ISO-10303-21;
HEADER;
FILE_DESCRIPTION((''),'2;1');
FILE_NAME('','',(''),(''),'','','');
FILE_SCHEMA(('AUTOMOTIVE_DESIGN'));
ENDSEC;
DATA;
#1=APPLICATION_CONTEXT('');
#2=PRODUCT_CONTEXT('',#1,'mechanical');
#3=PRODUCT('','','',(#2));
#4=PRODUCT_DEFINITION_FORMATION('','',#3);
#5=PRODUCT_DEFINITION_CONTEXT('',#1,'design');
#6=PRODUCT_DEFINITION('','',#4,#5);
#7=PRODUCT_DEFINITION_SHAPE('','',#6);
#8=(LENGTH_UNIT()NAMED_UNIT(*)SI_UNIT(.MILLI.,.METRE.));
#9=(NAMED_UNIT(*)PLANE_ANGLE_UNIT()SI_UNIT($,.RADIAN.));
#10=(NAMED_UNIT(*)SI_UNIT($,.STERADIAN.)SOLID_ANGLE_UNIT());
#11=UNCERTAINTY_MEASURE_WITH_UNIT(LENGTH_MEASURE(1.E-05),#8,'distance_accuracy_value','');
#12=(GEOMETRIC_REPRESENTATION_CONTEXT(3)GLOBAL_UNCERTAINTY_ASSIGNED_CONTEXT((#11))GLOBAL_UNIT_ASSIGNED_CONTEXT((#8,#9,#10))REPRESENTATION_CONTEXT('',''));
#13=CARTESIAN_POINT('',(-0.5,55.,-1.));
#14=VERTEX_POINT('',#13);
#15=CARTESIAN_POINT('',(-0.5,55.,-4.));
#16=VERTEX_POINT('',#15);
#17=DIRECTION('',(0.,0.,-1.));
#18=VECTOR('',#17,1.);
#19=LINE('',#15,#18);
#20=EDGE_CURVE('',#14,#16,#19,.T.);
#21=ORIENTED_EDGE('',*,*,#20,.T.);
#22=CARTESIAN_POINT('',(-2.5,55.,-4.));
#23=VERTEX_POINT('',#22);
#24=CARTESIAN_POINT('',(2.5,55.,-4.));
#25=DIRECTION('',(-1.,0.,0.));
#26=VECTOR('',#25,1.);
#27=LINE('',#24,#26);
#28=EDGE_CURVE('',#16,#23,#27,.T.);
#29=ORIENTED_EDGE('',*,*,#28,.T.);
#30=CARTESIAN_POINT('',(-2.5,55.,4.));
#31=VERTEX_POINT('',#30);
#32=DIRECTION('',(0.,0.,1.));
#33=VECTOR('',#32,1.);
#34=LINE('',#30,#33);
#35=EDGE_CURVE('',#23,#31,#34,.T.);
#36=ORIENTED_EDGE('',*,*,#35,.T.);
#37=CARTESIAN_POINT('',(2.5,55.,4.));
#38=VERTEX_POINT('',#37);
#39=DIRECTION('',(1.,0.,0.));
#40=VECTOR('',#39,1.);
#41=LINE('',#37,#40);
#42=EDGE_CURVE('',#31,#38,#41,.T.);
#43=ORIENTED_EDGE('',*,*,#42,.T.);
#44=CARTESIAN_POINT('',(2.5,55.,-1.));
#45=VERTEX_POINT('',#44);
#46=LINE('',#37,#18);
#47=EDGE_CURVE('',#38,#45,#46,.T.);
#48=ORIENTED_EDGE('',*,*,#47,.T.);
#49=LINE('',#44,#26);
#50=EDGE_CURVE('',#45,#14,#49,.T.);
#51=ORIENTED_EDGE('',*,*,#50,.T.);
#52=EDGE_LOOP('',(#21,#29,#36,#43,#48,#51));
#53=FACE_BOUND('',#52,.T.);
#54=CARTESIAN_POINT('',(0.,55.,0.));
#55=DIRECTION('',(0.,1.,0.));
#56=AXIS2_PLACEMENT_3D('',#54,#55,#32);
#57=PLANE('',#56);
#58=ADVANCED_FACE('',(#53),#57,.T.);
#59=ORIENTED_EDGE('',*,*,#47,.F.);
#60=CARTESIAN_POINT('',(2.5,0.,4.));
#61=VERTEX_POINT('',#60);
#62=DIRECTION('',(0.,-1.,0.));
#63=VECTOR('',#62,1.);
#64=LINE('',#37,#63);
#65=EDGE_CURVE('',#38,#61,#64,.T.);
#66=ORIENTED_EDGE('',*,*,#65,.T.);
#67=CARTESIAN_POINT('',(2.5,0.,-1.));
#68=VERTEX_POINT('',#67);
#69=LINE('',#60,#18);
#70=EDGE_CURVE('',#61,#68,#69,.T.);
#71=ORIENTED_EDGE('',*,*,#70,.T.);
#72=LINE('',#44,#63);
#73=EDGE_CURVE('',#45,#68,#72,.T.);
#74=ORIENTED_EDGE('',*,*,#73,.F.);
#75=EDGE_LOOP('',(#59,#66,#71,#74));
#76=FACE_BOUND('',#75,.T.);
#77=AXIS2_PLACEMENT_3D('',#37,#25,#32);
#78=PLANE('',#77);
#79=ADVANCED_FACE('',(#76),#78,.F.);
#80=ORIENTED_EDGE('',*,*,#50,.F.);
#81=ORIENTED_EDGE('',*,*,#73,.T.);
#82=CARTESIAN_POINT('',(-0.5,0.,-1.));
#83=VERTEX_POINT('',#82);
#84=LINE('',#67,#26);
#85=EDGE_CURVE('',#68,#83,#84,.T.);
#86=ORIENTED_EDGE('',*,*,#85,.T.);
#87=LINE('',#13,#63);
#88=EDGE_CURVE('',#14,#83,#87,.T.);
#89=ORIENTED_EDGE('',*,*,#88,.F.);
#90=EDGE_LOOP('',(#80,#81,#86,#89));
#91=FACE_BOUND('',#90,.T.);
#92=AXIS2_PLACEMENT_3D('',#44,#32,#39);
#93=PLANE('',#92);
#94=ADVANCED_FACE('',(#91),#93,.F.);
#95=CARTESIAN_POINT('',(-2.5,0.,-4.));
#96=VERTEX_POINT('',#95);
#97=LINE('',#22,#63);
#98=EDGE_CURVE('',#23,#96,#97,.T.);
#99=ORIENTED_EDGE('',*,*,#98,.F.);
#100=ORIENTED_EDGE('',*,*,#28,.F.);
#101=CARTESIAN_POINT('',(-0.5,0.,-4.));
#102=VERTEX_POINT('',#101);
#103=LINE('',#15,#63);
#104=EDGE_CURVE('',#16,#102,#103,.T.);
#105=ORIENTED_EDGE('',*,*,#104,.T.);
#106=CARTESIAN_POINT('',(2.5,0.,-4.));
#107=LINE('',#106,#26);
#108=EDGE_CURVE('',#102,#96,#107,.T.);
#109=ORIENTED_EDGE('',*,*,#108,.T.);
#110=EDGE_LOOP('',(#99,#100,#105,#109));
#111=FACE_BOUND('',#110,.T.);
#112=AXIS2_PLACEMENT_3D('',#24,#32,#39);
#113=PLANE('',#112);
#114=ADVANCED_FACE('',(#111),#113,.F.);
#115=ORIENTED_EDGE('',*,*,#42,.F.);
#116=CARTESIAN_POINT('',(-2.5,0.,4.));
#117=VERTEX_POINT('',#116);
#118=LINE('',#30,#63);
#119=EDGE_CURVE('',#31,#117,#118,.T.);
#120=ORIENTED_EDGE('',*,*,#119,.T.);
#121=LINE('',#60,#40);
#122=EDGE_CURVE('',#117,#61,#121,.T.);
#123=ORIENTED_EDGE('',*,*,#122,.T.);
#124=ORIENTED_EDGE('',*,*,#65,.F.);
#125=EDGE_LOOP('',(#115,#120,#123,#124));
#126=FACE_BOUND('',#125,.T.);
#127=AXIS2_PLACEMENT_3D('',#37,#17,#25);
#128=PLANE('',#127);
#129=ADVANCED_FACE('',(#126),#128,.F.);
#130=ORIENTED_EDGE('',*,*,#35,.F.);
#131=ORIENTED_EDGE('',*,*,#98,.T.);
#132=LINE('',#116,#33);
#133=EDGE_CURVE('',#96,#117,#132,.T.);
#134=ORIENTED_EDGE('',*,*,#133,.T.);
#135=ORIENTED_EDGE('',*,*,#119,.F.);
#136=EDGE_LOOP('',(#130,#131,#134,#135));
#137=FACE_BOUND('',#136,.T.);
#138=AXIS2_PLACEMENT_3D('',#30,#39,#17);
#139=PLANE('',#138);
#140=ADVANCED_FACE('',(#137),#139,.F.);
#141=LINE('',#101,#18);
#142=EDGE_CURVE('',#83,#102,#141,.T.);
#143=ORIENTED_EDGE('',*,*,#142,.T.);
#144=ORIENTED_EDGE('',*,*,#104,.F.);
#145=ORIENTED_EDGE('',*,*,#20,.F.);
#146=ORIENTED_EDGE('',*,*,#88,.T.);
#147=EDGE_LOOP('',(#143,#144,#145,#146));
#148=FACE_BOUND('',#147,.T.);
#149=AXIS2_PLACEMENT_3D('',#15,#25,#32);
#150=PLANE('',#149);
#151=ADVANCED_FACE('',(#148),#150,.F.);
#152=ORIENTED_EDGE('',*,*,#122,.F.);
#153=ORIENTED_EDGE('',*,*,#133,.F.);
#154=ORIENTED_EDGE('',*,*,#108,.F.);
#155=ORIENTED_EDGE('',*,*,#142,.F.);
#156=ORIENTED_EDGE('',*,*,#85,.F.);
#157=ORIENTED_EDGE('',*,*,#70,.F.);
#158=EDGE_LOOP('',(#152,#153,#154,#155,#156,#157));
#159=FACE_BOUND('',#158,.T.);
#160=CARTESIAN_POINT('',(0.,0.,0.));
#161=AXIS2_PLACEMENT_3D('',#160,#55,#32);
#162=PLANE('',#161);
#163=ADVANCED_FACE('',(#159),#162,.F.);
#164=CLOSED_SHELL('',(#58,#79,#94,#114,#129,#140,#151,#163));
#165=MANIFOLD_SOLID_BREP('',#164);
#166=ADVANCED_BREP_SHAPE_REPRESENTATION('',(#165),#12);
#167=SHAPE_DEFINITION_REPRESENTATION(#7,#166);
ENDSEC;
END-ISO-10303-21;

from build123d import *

# Parameters (mm, degrees)
SKETCH1_W           = 5
SKETCH1_H           = 8
BOSS_EXTRUDE1_DEPTH = 55
SKETCH2_W           = 3
SKETCH2_H           = 3
CUT_EXTRUDE1_DEPTH  = 55


with BuildPart() as part:
    # Sketch1 → Boss-Extrude1 (new body)
    with BuildSketch(Plane(origin=(0, 0, 0), x_dir=(1, 0, 0), z_dir=(0, 1, 0))):
        Rectangle(SKETCH1_W, SKETCH1_H)
    extrude(amount=BOSS_EXTRUDE1_DEPTH)

    # Sketch2 → Cut-Extrude1 (cut)
    with BuildSketch(Plane(origin=(0, 0, 0), x_dir=(-1, 0, 0), z_dir=(0, -1, 0))):
        with Locations((-1, 2.5)):
            Rectangle(SKETCH2_W, SKETCH2_H)
    extrude(amount=-CUT_EXTRUDE1_DEPTH, mode=Mode.SUBTRACT)


solid = part.part
